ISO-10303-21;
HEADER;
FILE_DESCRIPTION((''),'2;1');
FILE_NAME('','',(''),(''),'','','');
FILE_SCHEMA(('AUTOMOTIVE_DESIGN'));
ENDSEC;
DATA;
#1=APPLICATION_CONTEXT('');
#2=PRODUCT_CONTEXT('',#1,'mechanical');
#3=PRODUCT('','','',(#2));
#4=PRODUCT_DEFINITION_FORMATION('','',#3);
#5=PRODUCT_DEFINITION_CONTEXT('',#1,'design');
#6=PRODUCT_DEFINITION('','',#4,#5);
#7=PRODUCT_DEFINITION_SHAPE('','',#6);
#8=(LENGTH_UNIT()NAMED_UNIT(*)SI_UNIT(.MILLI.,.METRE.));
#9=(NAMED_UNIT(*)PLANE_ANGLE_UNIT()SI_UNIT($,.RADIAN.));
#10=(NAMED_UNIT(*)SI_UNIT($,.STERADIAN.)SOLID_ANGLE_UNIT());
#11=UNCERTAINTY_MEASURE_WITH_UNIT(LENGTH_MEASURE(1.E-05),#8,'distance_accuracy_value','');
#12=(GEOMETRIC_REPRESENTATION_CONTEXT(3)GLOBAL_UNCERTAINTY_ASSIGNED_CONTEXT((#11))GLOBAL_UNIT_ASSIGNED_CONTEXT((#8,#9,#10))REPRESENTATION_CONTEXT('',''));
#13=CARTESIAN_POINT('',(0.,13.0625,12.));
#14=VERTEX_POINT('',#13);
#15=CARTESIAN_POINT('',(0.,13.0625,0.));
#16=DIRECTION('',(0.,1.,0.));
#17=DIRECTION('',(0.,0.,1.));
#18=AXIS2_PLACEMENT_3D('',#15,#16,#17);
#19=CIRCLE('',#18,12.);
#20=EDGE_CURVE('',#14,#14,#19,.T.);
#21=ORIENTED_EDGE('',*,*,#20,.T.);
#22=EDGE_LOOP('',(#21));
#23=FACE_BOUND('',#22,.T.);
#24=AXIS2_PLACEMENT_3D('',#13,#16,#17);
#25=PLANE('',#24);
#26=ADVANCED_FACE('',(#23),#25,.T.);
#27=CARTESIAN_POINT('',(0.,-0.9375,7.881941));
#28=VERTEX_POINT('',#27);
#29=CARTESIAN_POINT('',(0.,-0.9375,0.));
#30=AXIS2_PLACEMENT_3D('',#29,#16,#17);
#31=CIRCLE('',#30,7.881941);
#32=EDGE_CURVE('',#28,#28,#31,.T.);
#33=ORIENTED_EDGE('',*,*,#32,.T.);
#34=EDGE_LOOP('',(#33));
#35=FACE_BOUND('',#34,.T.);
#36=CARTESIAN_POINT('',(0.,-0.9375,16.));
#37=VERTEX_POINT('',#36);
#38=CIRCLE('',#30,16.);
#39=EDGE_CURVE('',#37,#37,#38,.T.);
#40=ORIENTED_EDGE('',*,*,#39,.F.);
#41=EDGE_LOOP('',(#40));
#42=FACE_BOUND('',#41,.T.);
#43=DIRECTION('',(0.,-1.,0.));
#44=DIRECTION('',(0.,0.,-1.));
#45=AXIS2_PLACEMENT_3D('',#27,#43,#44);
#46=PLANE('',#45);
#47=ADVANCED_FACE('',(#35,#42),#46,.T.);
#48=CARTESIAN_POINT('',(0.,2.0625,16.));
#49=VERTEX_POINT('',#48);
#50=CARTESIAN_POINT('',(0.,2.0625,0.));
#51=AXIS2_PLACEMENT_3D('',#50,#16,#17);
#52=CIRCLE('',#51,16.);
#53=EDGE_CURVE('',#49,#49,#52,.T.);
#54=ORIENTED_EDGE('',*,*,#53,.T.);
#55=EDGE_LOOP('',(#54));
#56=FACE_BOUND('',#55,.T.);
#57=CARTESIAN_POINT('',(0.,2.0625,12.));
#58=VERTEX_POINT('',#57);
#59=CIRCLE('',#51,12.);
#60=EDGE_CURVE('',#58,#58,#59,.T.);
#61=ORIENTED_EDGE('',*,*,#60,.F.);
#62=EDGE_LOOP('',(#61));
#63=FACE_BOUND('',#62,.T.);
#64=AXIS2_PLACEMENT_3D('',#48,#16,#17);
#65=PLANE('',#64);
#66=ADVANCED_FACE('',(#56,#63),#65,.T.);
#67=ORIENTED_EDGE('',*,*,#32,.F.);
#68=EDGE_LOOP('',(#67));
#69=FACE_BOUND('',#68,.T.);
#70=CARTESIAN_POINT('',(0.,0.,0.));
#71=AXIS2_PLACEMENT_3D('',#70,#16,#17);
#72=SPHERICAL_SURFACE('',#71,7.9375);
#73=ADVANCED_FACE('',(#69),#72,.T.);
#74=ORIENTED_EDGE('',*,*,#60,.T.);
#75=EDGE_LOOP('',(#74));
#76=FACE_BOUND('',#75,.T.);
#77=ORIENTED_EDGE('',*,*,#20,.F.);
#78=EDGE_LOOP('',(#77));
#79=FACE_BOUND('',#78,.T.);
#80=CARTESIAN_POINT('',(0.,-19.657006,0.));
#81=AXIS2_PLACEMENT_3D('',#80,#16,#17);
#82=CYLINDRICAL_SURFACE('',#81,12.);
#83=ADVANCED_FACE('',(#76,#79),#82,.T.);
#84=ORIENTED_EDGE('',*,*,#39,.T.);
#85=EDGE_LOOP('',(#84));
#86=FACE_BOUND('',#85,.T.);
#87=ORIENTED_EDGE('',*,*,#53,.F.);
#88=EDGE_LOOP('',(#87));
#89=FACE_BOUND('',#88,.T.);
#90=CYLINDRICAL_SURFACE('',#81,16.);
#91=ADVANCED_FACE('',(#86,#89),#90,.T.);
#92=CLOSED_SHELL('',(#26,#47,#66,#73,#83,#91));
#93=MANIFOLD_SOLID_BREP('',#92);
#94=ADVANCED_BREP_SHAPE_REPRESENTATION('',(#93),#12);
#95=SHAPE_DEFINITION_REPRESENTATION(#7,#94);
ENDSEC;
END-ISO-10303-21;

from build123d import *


with BuildPart() as part:
    # Sketch1 → Revolve1 (revolve)
    with BuildSketch(Plane(origin=(0, 0, 0), x_dir=(0, 0, -1), z_dir=(1, 0, 0))):
        with BuildLine():
            Line((-7.881941385, -0.9375), (-16, -0.9375))
            Line((-16, -0.9375), (-16, 2.0625))
            Line((-16, 2.0625), (-12, 2.0625))
            Line((-12, 2.0625), (-12, 13.0625))
            Line((-12, 13.0625), (0, 13.0625))
            Line((0, 13.0625), (0, 0))
            Line((0, 0), (0, -7.9375))
            ThreePointArc((0, -7.9375), (-5.270792161, -5.934867838), (-7.881941385, -0.9375))
        make_face()
    revolve(axis=Axis((0, -19.657005973, 0), (0, -1, 0)))


solid = part.part
